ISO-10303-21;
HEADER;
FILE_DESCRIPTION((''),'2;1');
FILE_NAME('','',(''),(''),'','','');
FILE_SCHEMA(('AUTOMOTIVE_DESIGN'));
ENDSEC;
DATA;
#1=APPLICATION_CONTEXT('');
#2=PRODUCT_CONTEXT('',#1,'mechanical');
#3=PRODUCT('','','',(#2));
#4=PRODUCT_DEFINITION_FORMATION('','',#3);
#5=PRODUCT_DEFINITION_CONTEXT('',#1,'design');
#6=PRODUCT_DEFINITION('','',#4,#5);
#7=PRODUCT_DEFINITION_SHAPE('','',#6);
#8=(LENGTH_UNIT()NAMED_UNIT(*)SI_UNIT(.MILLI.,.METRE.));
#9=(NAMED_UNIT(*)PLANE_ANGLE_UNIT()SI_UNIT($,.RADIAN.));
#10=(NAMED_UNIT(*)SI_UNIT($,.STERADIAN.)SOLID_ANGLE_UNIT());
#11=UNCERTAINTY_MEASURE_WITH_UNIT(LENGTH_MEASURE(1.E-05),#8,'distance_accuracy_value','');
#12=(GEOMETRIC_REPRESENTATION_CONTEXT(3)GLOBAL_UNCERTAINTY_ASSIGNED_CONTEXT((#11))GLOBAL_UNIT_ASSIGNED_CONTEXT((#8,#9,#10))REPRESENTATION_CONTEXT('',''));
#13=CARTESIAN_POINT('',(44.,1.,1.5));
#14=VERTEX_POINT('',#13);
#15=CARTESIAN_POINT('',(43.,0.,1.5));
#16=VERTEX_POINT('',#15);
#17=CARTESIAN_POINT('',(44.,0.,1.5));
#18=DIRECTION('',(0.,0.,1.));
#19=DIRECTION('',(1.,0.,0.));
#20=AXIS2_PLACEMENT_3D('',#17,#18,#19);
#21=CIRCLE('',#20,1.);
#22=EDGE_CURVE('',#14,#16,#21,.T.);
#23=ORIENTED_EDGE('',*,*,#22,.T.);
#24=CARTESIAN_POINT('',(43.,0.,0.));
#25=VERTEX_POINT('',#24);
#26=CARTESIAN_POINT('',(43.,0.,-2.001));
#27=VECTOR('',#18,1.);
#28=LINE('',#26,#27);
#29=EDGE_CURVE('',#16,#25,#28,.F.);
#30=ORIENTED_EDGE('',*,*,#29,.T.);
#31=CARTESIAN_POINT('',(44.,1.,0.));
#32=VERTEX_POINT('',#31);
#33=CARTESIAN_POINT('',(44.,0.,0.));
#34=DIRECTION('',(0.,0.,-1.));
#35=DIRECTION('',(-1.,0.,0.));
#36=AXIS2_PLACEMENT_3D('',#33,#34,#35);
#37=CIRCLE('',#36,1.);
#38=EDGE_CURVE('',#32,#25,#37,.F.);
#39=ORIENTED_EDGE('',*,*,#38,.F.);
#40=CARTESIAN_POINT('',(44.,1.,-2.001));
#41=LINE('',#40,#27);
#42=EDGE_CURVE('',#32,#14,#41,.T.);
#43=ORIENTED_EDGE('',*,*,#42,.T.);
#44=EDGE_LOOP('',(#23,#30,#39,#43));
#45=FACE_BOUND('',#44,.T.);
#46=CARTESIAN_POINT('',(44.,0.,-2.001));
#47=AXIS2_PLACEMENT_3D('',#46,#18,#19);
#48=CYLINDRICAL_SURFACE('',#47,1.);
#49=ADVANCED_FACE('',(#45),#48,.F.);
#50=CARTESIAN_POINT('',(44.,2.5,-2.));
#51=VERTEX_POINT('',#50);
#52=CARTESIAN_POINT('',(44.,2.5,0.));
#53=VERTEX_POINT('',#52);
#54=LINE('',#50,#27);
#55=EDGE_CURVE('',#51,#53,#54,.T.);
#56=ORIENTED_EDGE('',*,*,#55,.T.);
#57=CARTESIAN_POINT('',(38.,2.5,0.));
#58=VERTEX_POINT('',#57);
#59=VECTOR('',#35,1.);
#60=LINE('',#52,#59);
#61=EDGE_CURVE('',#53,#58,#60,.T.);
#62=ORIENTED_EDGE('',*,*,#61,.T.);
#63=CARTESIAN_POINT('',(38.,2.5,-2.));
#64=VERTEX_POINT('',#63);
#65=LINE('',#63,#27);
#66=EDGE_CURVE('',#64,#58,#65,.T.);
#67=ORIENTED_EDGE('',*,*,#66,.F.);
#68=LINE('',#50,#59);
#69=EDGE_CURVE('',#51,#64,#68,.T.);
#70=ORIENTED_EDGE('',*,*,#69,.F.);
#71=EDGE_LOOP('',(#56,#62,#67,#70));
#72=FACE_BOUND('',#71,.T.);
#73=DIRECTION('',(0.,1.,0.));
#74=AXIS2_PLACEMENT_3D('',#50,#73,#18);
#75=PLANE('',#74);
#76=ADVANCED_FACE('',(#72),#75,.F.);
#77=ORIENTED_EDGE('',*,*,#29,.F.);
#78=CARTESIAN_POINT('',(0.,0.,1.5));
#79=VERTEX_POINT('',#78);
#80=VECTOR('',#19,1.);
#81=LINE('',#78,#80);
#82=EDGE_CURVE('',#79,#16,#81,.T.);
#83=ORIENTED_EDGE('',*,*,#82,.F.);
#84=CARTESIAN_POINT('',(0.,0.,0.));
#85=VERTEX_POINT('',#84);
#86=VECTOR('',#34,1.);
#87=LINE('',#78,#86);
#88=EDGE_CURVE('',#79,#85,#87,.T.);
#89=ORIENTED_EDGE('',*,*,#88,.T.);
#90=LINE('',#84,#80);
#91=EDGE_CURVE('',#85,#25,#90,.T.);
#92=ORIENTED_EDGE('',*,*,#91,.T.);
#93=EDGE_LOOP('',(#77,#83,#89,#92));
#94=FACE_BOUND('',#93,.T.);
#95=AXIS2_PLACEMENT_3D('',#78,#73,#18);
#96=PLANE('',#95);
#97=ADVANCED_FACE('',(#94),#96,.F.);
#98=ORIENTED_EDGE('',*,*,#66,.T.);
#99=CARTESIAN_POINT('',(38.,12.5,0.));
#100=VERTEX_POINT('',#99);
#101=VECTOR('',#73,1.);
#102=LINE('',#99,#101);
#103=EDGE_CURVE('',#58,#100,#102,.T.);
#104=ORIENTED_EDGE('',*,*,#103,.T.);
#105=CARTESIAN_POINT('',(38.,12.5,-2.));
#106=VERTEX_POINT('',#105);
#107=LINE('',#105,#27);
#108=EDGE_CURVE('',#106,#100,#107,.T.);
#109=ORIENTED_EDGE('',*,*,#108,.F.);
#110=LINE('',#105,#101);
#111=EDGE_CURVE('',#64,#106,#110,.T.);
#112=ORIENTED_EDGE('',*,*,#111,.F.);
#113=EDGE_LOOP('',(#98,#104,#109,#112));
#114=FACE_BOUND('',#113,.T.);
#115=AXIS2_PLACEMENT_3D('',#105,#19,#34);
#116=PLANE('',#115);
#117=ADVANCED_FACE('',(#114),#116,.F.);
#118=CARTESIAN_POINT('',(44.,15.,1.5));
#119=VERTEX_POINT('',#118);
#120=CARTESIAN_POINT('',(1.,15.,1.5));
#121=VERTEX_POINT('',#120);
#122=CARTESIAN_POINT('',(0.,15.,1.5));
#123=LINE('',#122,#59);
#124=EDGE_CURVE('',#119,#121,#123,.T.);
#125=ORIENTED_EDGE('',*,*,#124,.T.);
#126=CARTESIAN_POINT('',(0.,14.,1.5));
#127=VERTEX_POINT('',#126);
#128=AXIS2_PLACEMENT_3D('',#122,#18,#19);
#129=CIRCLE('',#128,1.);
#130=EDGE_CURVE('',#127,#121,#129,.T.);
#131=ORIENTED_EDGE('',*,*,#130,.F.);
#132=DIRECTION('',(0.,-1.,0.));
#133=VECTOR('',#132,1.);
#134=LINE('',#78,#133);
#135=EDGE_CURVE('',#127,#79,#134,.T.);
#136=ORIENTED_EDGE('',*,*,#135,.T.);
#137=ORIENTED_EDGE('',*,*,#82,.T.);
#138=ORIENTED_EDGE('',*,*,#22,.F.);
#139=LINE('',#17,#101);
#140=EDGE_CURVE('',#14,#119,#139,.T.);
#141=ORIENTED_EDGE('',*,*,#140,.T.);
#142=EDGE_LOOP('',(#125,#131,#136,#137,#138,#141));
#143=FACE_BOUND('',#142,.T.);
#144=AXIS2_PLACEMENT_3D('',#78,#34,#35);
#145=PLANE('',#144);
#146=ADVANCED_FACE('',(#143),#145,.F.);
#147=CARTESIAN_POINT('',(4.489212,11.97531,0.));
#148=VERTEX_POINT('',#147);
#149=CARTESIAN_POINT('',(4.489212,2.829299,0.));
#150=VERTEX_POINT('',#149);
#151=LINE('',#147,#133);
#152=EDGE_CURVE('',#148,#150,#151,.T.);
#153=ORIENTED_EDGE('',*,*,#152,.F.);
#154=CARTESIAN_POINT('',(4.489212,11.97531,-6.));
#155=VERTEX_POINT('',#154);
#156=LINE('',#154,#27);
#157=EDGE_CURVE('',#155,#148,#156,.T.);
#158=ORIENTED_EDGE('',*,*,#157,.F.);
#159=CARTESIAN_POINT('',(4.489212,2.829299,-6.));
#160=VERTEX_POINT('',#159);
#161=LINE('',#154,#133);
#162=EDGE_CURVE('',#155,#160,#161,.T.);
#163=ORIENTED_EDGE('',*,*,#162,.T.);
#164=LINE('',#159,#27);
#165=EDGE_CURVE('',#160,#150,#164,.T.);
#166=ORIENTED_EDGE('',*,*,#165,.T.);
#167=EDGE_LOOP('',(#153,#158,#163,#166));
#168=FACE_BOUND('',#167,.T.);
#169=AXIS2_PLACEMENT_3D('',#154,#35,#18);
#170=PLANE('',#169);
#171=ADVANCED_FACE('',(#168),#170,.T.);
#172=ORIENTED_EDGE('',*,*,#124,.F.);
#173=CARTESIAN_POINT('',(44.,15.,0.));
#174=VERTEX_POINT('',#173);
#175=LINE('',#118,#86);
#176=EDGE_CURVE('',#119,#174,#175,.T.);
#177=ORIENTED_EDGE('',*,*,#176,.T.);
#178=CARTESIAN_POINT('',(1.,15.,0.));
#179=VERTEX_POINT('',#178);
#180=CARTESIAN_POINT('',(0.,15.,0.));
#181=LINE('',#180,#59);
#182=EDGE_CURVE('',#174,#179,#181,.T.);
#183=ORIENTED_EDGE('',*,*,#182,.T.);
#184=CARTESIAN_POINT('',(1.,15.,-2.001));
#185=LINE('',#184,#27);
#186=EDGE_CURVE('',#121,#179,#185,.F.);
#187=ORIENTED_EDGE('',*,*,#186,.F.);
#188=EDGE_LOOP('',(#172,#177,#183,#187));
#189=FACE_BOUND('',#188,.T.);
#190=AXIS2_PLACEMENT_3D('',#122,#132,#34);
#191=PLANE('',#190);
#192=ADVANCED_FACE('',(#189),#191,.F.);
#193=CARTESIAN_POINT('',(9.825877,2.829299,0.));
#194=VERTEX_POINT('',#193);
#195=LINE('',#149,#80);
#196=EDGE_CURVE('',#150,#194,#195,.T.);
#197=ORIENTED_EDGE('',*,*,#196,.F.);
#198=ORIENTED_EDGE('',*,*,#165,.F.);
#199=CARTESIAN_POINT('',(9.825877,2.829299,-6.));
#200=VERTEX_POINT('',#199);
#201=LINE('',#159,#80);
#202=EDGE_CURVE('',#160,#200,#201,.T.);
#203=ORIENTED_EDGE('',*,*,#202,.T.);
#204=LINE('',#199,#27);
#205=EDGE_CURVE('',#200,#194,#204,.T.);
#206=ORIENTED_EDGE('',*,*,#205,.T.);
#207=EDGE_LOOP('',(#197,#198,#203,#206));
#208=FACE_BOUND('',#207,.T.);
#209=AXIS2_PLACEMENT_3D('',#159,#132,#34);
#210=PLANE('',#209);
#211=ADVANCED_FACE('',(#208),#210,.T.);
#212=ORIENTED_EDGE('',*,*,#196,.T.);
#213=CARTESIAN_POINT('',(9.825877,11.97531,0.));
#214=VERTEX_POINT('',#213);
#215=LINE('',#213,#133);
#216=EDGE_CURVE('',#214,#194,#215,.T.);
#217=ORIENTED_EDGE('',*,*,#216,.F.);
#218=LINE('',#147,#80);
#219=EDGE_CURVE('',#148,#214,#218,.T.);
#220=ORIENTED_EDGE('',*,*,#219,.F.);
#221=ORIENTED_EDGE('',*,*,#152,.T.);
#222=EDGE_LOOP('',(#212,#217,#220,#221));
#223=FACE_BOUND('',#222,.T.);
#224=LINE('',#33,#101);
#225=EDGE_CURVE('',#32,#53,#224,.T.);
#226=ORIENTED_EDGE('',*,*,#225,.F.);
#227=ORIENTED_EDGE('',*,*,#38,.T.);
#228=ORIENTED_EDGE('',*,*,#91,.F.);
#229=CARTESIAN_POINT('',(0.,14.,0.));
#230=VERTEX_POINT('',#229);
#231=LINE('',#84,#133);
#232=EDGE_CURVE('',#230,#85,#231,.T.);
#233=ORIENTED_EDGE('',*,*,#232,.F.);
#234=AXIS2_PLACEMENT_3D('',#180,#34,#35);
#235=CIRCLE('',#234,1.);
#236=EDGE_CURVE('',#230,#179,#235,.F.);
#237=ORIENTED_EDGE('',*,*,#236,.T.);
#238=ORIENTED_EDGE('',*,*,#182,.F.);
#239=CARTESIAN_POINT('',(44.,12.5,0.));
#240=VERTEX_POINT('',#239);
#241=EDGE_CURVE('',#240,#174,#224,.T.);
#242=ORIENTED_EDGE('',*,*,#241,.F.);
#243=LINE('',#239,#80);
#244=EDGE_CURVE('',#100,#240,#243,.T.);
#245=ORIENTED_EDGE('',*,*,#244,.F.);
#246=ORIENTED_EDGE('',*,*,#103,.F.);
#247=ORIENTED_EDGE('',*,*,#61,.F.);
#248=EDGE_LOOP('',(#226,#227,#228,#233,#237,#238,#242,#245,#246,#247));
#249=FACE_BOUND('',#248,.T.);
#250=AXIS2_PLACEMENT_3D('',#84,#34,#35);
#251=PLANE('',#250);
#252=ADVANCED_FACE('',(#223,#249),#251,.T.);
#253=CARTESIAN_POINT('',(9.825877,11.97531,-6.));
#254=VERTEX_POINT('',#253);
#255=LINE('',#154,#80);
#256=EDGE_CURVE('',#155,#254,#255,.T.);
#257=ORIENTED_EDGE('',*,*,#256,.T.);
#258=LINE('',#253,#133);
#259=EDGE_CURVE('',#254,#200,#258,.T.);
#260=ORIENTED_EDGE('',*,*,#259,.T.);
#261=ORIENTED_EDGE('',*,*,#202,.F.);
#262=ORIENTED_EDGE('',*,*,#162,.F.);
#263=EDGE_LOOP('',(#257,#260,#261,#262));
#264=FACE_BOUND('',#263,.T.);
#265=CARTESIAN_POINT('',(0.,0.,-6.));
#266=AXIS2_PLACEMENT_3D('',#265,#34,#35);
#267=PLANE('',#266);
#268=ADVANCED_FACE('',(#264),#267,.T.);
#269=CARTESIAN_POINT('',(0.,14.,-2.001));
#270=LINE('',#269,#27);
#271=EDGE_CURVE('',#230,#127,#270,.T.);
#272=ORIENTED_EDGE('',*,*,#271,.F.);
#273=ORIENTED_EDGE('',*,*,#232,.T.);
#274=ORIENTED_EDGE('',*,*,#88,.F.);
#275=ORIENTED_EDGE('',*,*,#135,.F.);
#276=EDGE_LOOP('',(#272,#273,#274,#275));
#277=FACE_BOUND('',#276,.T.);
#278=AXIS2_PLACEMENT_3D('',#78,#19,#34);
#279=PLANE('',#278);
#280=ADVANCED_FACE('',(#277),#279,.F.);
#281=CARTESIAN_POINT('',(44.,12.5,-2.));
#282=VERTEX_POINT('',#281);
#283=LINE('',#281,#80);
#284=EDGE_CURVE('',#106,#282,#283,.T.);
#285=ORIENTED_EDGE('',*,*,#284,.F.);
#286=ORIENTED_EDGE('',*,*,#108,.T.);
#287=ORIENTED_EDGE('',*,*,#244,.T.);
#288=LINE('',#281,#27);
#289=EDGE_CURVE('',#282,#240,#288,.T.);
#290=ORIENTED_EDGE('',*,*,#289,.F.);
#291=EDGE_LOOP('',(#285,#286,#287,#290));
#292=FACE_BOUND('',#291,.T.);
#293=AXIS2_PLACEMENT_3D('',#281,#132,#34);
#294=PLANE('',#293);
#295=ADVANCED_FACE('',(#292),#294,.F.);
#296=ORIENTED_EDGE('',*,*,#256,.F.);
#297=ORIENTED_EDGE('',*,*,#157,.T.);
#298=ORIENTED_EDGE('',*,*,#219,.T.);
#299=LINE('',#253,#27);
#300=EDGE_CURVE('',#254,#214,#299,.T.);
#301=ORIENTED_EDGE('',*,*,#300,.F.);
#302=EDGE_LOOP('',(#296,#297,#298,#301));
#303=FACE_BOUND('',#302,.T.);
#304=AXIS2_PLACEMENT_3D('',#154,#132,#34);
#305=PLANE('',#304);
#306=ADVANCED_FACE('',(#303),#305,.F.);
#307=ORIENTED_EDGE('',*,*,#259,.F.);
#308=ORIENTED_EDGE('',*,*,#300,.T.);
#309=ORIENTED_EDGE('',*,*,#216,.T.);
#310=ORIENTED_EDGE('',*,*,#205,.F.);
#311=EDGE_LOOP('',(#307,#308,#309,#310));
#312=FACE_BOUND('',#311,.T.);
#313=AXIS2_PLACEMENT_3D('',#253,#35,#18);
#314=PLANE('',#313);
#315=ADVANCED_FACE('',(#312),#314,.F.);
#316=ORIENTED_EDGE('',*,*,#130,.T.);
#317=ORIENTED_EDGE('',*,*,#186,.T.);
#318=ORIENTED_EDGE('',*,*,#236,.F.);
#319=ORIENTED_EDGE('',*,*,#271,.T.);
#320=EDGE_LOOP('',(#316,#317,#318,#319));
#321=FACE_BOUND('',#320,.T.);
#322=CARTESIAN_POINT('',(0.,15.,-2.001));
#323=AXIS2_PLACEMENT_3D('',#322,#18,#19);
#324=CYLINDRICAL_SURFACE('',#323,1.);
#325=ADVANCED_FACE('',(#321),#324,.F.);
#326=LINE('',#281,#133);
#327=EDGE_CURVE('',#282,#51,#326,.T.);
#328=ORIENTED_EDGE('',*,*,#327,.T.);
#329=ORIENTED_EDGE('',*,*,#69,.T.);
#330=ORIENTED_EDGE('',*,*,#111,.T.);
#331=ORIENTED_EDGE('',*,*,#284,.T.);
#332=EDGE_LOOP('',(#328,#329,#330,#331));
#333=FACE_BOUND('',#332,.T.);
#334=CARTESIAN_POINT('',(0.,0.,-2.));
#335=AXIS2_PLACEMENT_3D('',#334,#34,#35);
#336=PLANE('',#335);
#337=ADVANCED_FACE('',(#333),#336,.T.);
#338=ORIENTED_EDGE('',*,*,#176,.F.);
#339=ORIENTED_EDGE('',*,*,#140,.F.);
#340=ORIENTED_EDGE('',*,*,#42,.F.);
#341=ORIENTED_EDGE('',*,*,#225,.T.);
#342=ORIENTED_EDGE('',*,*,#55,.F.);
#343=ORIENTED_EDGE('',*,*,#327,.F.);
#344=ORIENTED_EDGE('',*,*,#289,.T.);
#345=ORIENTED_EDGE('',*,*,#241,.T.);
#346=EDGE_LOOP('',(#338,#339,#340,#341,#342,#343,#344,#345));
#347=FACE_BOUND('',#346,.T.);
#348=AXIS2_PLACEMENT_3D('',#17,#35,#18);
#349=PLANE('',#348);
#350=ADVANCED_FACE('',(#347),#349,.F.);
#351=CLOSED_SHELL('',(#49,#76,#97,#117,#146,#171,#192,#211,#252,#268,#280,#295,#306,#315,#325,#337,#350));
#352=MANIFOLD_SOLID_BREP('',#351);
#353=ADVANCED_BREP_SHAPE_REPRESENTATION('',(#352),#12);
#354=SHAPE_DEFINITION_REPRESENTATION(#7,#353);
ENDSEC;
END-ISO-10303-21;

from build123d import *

# Parameters (mm, degrees)
ESQUISSE1_W         = 44
ESQUISSE1_H         = 15
BOSS_EXTRU_1_DEPTH  = 1.5
ESQUISSE2_W         = 6
ESQUISSE2_H         = 10
BOSS_EXTRU_2_DEPTH  = 2
CUT_EXTRUDE1_REACH  = 48.618
SKETCH1_R           = 1
SKETCH2_W           = 5.336665058
SKETCH2_H           = 9.146011637
BOSS_EXTRUDE1_DEPTH = 6


with BuildPart() as part:
    # Esquisse1 → Boss.-Extru.1 (new body)
    with BuildSketch(Plane.XY):
        with Locations((22, 7.5)):
            Rectangle(ESQUISSE1_W, ESQUISSE1_H)
    extrude(amount=BOSS_EXTRU_1_DEPTH)

    # Esquisse2 → Boss.-Extru.2 (add)
    with BuildSketch(Plane(origin=(0, 0, 0), x_dir=(-1, 0, 0), z_dir=(0, 0, -1))):
        with Locations((-41, 7.5)):
            Rectangle(ESQUISSE2_W, ESQUISSE2_H)
    extrude(amount=BOSS_EXTRU_2_DEPTH)

    # Sketch1 → Cut-Extrude1 (cut, up to next)
    with BuildSketch(Plane.XY.offset(1.5), mode=Mode.PRIVATE) as cut_extrude1_sk1:
        with Locations((44, 0)):
            Circle(SKETCH1_R)
    cut_extrude1_tool1 = extrude(cut_extrude1_sk1.sketch, amount=-CUT_EXTRUDE1_REACH, mode=Mode.PRIVATE) & part.part
    # Sketch1 → Cut-Extrude1 (cut, up to next)
    with BuildSketch(Plane.XY.offset(1.5), mode=Mode.PRIVATE) as cut_extrude1_sk2:
        with Locations((0, 15)):
            Circle(SKETCH1_R)
    cut_extrude1_tool2 = extrude(cut_extrude1_sk2.sketch, amount=-CUT_EXTRUDE1_REACH, mode=Mode.PRIVATE) & part.part
    add(cut_extrude1_tool1.solids().sort_by_distance((44, 0, 1.5))[0], mode=Mode.SUBTRACT)
    add(cut_extrude1_tool2.solids().sort_by_distance((0, 15, 1.5))[0], mode=Mode.SUBTRACT)

    # Sketch2 → Boss-Extrude1 (add)
    with BuildSketch(Plane(origin=(0, 0, 0), x_dir=(1, 0, 0), z_dir=(0, 0, -1))):
        with Locations((7.157544366, -7.402304661)):
            Rectangle(SKETCH2_W, SKETCH2_H)
    extrude(amount=BOSS_EXTRUDE1_DEPTH)


solid = part.part
